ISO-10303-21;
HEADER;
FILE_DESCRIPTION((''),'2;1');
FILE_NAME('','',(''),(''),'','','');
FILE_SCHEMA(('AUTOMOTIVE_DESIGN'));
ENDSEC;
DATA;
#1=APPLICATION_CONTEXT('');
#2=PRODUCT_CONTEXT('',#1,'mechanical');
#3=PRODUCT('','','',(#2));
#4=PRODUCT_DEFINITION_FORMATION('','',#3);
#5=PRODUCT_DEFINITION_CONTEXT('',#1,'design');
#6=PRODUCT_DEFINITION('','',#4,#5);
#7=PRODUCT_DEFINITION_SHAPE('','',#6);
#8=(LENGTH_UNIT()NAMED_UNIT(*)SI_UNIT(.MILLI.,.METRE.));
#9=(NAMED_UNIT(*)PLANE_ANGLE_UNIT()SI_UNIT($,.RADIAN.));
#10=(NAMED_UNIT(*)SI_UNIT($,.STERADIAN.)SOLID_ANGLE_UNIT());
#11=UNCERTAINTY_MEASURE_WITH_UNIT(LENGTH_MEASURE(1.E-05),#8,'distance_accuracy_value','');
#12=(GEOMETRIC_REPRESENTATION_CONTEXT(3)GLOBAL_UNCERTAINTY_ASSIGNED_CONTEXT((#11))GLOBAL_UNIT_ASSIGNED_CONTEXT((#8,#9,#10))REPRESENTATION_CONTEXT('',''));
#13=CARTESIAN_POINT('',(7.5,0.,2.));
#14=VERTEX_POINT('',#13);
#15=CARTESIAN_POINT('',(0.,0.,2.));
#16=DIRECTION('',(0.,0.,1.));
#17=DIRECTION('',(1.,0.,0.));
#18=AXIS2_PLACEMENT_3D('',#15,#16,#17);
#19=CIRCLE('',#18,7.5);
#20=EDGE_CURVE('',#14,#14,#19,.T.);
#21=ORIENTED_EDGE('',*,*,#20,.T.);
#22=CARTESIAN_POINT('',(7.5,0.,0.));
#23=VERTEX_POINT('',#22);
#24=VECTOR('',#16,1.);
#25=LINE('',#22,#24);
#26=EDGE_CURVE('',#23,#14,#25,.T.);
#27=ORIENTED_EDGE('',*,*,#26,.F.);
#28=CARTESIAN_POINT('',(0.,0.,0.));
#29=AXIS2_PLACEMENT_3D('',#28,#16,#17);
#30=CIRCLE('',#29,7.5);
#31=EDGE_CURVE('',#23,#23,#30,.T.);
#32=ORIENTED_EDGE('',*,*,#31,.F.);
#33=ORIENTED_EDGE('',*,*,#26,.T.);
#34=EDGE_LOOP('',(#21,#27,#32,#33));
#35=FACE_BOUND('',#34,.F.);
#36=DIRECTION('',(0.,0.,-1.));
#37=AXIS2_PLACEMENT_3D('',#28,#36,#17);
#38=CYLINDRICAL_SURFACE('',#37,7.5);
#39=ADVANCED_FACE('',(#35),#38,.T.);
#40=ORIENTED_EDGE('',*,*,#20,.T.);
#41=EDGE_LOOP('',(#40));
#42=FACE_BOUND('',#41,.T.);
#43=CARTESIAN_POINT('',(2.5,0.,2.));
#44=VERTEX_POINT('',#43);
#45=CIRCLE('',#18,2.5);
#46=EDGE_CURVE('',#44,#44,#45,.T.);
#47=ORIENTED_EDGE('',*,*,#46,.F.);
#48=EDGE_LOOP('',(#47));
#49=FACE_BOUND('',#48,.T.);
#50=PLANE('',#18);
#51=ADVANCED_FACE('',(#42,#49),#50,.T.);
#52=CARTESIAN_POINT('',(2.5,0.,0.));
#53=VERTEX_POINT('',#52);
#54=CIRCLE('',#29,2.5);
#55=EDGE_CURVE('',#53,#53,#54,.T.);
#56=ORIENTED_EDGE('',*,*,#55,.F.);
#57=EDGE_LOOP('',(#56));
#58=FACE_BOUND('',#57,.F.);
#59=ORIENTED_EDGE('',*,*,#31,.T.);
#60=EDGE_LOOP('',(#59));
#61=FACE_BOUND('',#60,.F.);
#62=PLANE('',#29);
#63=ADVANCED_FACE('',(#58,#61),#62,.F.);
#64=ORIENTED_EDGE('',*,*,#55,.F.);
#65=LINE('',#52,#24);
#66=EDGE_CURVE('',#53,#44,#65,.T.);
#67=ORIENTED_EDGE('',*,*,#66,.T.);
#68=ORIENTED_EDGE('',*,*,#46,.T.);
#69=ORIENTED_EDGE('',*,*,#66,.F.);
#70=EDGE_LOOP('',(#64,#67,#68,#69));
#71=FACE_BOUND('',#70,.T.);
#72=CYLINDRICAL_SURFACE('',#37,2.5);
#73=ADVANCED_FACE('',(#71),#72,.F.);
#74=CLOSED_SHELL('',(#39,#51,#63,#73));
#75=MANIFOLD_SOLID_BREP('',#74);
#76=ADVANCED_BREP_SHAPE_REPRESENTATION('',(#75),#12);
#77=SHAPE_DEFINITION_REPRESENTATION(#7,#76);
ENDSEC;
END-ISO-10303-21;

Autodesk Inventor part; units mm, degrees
ref_plane "YZ Plane" through (0, 0, 0) normal (1, 0, 0) x (0, 1, 0)
ref_plane "XZ Plane" through (0, 0, 0) normal (0, 1, 0) x (-1, 0, 0)
ref_plane "XY Plane" through (0, 0, 0) normal (0, 0, 1) x (1, 0, 0)
sketch "Sketch1" plane through (0, 0, 0) normal (0, 0, 1) x (1, 0, 0)
  circle A0 centre (0, 0) radius 2.5
  circle A1 centre (0, 0) radius 7.5
  dimension "d0" = 5
  dimension "d1" = 15
extrude "Extrusion1" add sketch "Sketch1" along normal blind 2
properties part number "slot washer"
